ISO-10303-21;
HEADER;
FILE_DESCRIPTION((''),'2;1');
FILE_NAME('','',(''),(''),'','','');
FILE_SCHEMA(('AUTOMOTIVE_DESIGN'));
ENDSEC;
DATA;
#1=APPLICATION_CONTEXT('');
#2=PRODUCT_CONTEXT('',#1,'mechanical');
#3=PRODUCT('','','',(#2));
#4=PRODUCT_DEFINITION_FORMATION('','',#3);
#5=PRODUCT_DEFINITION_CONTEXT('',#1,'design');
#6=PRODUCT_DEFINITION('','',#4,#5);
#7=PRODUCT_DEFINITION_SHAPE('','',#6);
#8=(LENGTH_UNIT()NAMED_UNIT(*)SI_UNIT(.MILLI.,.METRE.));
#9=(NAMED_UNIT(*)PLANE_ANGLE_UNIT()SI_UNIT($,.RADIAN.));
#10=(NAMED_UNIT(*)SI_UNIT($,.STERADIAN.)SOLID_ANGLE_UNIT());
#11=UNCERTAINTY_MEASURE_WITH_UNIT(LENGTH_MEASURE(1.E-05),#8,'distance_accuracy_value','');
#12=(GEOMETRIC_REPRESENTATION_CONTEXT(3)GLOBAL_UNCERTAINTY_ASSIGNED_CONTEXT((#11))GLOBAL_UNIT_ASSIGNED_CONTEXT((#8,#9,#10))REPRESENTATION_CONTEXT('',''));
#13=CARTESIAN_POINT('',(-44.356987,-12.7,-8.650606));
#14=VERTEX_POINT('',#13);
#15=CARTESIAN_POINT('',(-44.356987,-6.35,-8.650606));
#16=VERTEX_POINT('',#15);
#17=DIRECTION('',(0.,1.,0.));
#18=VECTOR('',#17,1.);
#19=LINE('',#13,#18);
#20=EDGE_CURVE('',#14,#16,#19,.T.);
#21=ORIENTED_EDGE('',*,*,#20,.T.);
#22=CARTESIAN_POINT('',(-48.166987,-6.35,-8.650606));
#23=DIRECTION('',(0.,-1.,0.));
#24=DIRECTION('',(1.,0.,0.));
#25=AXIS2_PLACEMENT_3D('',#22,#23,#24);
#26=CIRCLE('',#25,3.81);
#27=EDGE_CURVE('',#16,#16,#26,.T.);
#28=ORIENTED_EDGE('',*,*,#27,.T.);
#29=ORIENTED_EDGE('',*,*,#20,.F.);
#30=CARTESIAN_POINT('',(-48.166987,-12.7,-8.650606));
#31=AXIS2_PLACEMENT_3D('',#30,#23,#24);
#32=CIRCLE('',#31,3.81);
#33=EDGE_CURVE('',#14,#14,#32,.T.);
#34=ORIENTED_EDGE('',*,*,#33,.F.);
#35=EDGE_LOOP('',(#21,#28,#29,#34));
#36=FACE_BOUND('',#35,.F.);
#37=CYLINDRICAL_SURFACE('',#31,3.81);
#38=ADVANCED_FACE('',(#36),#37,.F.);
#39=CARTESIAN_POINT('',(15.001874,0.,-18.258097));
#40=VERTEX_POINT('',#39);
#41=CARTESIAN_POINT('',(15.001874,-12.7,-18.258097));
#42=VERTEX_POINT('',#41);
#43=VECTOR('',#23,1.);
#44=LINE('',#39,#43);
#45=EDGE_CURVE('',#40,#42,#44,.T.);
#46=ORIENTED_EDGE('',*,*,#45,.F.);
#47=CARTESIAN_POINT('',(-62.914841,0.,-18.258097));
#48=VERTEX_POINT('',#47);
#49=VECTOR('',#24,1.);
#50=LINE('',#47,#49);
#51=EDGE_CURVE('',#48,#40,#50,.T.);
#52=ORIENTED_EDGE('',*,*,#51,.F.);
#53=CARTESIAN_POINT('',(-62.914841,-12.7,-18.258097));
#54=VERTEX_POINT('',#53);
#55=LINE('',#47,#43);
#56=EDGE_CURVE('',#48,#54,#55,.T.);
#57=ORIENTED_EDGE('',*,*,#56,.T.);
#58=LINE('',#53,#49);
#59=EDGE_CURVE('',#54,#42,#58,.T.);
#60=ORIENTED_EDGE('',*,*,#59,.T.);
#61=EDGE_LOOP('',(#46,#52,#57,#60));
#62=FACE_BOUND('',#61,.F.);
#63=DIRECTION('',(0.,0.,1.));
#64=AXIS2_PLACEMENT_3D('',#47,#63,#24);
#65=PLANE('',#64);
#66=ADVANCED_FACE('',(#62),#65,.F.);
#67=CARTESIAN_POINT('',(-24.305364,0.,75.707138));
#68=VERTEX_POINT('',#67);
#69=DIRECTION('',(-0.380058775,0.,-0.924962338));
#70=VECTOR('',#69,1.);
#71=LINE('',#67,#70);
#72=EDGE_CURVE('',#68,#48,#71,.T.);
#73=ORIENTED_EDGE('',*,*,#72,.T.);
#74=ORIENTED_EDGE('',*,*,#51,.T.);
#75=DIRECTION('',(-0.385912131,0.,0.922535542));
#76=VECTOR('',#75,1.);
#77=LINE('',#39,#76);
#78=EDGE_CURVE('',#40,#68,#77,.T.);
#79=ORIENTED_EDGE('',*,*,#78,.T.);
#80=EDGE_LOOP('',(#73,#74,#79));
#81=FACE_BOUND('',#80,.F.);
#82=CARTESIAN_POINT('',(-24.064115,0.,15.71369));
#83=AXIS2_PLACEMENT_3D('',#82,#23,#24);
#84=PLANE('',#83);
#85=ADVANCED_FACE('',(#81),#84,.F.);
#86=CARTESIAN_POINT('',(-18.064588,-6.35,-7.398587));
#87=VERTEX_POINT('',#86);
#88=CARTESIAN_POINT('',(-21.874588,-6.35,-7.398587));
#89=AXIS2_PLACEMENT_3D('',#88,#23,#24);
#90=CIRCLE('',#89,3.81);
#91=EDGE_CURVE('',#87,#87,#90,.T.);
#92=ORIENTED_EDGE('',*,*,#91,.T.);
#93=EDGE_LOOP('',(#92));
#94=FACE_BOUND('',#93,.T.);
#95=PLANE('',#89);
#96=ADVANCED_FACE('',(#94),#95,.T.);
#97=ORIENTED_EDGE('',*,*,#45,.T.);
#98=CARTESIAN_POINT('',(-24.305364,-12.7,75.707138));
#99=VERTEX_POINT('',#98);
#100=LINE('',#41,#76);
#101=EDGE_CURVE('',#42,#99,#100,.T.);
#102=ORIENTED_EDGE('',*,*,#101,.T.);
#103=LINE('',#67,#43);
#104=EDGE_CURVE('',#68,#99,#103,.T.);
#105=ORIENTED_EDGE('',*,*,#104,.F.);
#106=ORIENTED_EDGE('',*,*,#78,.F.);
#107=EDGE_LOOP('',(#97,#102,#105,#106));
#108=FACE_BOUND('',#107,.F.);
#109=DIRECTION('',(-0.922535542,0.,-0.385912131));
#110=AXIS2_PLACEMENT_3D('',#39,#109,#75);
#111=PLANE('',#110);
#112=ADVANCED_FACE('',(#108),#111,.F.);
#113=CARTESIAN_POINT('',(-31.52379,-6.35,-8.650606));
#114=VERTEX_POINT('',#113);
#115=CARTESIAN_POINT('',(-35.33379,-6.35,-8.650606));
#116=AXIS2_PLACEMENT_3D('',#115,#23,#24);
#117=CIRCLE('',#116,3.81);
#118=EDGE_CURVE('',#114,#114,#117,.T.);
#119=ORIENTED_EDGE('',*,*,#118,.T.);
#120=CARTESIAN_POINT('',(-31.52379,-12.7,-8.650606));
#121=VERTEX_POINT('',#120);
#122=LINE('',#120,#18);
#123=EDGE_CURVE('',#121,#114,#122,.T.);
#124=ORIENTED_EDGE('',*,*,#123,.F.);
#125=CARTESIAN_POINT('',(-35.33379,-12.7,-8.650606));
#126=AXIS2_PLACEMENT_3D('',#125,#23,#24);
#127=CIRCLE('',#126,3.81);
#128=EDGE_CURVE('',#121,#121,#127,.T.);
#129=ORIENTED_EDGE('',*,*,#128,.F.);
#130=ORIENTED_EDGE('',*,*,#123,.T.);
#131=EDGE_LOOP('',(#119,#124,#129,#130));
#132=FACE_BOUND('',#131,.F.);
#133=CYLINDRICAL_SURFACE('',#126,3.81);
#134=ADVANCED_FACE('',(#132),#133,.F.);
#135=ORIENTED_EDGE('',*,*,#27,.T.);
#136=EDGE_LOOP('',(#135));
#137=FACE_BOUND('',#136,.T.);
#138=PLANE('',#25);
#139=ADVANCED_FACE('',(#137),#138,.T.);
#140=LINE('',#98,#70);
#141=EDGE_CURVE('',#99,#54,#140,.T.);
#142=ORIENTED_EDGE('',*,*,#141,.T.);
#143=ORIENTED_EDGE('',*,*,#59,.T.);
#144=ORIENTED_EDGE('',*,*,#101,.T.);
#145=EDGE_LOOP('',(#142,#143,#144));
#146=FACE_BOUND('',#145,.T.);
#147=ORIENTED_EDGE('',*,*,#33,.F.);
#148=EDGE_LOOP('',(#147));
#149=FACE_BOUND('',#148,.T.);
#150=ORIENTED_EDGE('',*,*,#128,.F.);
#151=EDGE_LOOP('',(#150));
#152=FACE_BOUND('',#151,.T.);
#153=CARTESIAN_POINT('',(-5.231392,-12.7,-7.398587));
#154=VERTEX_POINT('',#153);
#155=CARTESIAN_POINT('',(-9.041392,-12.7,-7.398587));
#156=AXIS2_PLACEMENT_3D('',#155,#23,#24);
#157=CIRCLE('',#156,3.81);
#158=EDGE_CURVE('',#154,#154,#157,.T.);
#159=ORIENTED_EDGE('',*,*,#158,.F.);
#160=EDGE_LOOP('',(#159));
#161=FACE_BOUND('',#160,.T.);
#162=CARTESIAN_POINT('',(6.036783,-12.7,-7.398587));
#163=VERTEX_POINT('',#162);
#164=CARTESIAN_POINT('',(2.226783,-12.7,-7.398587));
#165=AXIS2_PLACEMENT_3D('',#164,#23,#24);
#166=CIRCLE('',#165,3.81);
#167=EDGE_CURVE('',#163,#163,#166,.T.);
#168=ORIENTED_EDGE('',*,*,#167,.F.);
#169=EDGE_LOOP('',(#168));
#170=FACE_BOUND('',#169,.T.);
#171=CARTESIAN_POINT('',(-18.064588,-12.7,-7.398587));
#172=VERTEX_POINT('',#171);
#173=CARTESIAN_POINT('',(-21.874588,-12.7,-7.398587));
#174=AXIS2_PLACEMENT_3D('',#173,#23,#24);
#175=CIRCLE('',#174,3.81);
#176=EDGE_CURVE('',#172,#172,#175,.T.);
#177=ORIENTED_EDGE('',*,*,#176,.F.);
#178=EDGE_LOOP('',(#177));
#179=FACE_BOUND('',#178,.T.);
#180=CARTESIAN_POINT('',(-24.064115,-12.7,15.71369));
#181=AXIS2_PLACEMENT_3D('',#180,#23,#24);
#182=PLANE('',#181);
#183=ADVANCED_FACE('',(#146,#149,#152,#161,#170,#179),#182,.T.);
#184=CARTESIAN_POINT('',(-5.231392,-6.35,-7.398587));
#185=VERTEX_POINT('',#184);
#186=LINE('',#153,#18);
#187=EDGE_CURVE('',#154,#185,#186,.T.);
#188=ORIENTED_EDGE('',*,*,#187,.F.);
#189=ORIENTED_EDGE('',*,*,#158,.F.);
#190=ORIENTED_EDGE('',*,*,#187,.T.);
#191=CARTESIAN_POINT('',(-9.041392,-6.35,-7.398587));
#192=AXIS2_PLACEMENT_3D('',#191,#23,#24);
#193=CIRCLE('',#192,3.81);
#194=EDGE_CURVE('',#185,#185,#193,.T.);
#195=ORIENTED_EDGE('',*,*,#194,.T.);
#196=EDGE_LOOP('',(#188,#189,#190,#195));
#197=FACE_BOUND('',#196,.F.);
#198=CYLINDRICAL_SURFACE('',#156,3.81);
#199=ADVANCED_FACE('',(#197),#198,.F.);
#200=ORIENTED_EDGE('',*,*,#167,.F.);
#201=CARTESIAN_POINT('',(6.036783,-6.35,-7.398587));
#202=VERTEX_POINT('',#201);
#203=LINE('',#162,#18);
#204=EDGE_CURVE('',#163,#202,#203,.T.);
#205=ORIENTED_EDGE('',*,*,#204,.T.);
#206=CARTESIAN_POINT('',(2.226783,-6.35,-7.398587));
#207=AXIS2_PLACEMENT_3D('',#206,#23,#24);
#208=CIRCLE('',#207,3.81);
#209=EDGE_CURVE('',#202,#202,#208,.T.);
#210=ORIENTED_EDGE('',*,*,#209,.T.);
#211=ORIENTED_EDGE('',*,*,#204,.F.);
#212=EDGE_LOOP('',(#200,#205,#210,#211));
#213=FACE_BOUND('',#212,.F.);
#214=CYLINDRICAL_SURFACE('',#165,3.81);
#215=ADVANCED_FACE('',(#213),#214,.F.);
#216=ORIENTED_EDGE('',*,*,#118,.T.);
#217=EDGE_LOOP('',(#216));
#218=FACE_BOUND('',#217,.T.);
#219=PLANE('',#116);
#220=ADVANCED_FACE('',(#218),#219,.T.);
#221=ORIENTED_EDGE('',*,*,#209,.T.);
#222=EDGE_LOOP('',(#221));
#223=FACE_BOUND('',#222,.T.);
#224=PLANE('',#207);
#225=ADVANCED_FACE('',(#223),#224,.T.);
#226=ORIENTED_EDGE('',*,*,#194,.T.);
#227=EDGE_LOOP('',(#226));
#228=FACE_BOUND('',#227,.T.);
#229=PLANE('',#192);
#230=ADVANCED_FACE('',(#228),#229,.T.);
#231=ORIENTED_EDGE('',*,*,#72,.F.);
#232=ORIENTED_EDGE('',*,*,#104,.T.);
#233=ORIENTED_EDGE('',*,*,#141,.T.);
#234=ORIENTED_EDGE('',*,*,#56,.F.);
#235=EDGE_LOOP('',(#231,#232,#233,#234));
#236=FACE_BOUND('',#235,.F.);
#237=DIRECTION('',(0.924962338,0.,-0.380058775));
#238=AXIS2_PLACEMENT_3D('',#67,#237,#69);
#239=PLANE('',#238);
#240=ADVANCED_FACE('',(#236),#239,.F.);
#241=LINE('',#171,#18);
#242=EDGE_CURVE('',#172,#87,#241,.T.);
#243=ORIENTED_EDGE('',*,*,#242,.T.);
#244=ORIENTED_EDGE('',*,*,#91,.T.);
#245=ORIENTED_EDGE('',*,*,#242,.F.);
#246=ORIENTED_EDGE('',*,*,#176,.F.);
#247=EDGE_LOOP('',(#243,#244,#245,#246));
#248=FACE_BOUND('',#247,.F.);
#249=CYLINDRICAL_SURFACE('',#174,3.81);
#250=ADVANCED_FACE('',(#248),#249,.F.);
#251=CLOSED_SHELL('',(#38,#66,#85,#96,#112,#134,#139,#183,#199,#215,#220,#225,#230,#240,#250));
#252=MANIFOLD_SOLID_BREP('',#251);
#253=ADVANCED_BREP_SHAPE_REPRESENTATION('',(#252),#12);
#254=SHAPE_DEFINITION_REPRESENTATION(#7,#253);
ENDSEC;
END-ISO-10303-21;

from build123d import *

# Parameters (mm, degrees)
F2_DEPTH = 12.7
F3_R     = 3.81
F4_DEPTH = 6.35


with BuildPart() as f2:
    # F1 (on face) → F2 (new body)
    with BuildSketch(Plane.XZ):
        Polygon((-24.305364, 75.707138), (-62.914841, -18.258097), (15.001874, -18.258097), align=None)
    extrude(amount=F2_DEPTH)

    # F3 (on face) → F4 (cut)
    with BuildSketch(Plane.XZ.offset(12.7)):
        with Locations((-48.166987, -8.650606)):
            Circle(F3_R)
        with Locations((-35.33379, -8.650606)):
            Circle(F3_R)
        with Locations((-21.874588, -7.398587)):
            Circle(F3_R)
        with Locations((-9.041392, -7.398587)):
            Circle(F3_R)
        with Locations((2.226783, -7.398587)):
            Circle(F3_R)
    extrude(amount=-F4_DEPTH, mode=Mode.SUBTRACT)


solid = f2.part
